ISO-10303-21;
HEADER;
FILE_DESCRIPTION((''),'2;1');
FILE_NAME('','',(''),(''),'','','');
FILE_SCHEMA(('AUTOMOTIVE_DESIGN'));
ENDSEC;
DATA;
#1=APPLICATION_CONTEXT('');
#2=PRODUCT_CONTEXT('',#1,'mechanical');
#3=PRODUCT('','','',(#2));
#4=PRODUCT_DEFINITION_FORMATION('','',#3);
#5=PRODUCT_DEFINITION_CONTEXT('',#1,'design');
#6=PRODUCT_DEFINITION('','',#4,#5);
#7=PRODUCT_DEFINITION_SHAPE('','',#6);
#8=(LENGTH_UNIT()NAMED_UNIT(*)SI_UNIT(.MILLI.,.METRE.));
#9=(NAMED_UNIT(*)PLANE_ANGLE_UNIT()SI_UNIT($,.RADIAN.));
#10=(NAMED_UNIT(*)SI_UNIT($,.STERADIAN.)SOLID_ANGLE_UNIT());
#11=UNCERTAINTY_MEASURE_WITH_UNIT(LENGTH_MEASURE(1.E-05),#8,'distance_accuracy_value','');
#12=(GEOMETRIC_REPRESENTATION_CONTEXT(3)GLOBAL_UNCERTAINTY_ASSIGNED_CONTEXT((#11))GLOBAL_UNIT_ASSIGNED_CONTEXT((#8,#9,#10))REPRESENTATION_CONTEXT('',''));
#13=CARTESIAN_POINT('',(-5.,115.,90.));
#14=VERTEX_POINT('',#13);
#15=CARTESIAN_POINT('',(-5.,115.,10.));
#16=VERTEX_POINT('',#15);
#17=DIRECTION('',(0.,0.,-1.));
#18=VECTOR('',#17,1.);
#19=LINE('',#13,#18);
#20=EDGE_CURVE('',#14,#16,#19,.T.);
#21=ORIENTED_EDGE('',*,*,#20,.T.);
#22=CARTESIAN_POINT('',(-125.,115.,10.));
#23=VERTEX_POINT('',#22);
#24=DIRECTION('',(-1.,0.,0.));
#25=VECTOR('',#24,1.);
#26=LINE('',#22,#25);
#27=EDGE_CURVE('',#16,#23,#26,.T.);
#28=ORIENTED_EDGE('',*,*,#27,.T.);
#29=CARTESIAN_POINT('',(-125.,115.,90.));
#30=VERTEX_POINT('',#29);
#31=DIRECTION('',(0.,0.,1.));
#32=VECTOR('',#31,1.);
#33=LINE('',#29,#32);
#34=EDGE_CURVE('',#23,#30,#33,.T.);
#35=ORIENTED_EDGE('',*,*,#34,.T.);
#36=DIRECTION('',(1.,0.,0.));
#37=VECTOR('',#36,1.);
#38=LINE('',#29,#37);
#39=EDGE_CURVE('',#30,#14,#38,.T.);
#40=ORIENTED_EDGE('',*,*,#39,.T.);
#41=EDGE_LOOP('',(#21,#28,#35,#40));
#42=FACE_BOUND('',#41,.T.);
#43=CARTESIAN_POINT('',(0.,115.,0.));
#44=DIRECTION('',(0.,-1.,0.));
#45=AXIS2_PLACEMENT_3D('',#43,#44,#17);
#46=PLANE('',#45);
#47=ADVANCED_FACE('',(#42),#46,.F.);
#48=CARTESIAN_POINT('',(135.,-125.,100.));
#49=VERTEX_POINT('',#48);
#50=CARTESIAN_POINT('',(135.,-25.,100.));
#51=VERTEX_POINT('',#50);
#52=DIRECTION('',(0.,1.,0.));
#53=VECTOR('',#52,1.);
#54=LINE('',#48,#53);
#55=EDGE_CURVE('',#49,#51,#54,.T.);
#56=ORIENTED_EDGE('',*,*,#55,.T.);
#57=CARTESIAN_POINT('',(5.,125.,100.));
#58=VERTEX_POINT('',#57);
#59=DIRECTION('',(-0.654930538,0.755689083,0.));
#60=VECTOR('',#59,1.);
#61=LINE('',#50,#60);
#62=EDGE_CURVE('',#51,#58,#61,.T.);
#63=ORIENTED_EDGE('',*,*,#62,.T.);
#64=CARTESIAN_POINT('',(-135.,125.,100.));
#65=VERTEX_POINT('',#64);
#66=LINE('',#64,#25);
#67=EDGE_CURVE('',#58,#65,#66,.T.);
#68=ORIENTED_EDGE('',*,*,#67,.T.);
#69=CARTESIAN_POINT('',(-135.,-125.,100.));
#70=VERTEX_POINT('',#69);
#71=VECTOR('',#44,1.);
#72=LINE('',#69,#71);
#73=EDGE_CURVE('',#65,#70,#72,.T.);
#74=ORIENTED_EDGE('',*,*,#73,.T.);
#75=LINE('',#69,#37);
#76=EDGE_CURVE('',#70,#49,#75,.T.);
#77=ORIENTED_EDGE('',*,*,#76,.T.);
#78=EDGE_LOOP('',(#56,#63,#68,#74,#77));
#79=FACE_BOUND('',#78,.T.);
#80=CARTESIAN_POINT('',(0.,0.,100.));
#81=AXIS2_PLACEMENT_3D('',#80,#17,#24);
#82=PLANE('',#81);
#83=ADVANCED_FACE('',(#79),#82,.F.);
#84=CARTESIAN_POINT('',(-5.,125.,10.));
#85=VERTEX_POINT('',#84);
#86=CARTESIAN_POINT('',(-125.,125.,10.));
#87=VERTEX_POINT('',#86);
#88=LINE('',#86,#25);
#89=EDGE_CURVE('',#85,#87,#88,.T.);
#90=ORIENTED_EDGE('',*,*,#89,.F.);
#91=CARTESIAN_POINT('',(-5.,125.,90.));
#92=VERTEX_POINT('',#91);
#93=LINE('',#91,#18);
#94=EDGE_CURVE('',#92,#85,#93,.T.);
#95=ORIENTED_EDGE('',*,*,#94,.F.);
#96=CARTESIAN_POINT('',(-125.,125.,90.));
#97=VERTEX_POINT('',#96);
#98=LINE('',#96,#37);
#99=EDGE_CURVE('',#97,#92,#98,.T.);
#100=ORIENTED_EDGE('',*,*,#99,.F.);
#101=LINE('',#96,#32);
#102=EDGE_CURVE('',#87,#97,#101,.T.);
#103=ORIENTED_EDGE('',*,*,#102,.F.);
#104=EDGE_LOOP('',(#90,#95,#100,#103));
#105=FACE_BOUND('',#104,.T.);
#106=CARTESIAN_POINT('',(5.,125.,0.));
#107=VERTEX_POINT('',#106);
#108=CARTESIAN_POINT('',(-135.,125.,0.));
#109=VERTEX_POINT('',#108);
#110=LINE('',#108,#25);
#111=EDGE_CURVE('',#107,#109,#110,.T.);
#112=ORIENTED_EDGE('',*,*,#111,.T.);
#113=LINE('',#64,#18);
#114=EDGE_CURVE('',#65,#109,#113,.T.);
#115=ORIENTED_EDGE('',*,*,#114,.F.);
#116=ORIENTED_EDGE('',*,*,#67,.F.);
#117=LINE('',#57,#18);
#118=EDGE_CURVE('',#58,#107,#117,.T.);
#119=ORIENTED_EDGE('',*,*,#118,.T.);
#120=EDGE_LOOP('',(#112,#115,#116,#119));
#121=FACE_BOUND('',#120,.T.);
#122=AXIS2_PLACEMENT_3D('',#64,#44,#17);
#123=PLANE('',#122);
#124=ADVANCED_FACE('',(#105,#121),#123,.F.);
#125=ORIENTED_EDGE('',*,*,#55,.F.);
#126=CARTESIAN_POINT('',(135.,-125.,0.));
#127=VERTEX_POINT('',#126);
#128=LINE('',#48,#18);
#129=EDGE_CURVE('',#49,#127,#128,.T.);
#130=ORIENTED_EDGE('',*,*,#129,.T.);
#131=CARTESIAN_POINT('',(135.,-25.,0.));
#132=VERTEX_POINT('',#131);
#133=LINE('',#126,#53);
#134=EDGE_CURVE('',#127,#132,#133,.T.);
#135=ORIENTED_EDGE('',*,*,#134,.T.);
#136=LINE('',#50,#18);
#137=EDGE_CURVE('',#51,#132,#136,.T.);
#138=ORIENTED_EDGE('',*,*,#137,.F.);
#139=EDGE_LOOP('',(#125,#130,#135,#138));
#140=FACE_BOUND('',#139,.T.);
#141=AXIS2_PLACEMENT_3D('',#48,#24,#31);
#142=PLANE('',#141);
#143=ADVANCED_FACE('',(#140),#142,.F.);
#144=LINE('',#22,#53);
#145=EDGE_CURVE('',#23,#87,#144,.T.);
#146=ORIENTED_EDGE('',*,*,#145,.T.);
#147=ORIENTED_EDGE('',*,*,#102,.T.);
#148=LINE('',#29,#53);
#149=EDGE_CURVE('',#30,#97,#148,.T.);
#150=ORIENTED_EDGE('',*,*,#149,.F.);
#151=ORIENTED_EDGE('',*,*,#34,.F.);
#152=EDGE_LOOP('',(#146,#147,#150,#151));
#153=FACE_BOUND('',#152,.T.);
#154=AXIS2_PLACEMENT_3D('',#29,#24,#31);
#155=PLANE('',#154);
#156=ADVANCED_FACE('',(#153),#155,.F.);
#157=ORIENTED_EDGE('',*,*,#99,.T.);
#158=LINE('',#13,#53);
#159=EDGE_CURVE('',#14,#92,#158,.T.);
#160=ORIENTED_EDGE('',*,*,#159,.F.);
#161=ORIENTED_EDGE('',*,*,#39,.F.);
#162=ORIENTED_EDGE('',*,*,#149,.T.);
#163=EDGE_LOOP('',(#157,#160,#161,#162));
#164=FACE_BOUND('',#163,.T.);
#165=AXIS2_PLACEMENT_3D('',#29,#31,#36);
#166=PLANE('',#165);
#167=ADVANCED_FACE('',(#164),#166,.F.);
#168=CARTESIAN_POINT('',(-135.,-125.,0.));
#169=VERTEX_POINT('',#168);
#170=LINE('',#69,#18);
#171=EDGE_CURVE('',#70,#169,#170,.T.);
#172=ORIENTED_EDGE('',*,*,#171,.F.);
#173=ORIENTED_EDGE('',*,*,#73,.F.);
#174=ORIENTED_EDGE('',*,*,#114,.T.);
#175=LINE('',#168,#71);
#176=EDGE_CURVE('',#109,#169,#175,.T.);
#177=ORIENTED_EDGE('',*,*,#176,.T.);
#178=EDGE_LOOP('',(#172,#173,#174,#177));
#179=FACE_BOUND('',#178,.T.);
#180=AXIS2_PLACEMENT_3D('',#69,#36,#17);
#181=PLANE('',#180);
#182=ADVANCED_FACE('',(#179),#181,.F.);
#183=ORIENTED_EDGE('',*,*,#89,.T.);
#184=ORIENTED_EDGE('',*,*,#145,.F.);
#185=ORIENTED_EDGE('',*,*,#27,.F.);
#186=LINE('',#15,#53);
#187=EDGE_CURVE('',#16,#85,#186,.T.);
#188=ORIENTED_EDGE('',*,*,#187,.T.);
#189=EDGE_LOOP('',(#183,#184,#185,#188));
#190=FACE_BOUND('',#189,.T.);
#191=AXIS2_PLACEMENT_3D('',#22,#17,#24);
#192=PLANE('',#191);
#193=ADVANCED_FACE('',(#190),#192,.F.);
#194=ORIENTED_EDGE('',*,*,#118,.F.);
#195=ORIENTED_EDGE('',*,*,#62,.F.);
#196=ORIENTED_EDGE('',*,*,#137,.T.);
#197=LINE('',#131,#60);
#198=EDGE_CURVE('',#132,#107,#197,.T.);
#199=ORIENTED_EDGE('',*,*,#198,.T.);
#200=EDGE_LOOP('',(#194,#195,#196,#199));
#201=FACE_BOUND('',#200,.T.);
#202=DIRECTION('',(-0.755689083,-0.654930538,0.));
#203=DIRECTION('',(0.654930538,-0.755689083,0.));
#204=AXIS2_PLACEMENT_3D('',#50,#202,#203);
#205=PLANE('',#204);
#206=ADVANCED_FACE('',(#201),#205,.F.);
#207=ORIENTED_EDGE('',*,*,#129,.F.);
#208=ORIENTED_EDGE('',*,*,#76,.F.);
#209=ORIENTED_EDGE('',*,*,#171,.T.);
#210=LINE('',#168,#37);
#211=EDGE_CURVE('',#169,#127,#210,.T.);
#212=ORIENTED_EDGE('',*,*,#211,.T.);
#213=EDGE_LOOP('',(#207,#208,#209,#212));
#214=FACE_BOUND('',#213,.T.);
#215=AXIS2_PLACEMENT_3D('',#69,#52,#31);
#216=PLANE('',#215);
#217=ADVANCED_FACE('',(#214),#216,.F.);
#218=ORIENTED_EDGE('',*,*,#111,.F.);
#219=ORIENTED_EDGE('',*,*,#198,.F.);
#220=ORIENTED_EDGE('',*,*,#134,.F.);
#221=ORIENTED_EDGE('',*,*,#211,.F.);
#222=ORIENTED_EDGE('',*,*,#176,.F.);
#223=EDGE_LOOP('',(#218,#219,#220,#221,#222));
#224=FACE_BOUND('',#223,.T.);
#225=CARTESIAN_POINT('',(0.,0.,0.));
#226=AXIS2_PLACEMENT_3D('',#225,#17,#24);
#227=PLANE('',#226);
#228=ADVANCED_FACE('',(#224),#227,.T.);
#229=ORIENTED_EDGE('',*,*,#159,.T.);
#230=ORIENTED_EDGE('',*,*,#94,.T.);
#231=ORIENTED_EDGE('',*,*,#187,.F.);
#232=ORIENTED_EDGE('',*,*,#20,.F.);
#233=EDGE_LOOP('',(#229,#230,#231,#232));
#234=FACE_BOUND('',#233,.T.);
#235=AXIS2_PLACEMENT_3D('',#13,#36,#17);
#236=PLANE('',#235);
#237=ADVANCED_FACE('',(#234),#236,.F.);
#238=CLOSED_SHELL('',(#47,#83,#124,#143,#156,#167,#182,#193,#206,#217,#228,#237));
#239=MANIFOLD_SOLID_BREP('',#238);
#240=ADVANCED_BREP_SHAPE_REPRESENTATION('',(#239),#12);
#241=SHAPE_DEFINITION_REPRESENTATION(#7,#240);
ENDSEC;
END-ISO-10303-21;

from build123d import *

# Parameters (mm, degrees)
BOSS_EXTRUDE1_DEPTH = 100
SKETCH2_W           = 120
SKETCH2_H           = 80
CUT_EXTRUDE1_DEPTH  = 10


with BuildPart() as part:
    # Sketch1 → Boss-Extrude1 (new body)
    with BuildSketch(Plane.XY):
        Polygon((135, -25), (5, 125), (-135, 125), (-135, -125), (135, -125), align=None)
    extrude(amount=BOSS_EXTRUDE1_DEPTH)

    # Sketch2 → Cut-Extrude1 (cut)
    with BuildSketch(Plane(origin=(0, 125, 0), x_dir=(1, 0, 0), z_dir=(0, 1, 0))):
        with Locations((-65, -50)):
            Rectangle(SKETCH2_W, SKETCH2_H)
    extrude(amount=-CUT_EXTRUDE1_DEPTH, mode=Mode.SUBTRACT)


solid = part.part
